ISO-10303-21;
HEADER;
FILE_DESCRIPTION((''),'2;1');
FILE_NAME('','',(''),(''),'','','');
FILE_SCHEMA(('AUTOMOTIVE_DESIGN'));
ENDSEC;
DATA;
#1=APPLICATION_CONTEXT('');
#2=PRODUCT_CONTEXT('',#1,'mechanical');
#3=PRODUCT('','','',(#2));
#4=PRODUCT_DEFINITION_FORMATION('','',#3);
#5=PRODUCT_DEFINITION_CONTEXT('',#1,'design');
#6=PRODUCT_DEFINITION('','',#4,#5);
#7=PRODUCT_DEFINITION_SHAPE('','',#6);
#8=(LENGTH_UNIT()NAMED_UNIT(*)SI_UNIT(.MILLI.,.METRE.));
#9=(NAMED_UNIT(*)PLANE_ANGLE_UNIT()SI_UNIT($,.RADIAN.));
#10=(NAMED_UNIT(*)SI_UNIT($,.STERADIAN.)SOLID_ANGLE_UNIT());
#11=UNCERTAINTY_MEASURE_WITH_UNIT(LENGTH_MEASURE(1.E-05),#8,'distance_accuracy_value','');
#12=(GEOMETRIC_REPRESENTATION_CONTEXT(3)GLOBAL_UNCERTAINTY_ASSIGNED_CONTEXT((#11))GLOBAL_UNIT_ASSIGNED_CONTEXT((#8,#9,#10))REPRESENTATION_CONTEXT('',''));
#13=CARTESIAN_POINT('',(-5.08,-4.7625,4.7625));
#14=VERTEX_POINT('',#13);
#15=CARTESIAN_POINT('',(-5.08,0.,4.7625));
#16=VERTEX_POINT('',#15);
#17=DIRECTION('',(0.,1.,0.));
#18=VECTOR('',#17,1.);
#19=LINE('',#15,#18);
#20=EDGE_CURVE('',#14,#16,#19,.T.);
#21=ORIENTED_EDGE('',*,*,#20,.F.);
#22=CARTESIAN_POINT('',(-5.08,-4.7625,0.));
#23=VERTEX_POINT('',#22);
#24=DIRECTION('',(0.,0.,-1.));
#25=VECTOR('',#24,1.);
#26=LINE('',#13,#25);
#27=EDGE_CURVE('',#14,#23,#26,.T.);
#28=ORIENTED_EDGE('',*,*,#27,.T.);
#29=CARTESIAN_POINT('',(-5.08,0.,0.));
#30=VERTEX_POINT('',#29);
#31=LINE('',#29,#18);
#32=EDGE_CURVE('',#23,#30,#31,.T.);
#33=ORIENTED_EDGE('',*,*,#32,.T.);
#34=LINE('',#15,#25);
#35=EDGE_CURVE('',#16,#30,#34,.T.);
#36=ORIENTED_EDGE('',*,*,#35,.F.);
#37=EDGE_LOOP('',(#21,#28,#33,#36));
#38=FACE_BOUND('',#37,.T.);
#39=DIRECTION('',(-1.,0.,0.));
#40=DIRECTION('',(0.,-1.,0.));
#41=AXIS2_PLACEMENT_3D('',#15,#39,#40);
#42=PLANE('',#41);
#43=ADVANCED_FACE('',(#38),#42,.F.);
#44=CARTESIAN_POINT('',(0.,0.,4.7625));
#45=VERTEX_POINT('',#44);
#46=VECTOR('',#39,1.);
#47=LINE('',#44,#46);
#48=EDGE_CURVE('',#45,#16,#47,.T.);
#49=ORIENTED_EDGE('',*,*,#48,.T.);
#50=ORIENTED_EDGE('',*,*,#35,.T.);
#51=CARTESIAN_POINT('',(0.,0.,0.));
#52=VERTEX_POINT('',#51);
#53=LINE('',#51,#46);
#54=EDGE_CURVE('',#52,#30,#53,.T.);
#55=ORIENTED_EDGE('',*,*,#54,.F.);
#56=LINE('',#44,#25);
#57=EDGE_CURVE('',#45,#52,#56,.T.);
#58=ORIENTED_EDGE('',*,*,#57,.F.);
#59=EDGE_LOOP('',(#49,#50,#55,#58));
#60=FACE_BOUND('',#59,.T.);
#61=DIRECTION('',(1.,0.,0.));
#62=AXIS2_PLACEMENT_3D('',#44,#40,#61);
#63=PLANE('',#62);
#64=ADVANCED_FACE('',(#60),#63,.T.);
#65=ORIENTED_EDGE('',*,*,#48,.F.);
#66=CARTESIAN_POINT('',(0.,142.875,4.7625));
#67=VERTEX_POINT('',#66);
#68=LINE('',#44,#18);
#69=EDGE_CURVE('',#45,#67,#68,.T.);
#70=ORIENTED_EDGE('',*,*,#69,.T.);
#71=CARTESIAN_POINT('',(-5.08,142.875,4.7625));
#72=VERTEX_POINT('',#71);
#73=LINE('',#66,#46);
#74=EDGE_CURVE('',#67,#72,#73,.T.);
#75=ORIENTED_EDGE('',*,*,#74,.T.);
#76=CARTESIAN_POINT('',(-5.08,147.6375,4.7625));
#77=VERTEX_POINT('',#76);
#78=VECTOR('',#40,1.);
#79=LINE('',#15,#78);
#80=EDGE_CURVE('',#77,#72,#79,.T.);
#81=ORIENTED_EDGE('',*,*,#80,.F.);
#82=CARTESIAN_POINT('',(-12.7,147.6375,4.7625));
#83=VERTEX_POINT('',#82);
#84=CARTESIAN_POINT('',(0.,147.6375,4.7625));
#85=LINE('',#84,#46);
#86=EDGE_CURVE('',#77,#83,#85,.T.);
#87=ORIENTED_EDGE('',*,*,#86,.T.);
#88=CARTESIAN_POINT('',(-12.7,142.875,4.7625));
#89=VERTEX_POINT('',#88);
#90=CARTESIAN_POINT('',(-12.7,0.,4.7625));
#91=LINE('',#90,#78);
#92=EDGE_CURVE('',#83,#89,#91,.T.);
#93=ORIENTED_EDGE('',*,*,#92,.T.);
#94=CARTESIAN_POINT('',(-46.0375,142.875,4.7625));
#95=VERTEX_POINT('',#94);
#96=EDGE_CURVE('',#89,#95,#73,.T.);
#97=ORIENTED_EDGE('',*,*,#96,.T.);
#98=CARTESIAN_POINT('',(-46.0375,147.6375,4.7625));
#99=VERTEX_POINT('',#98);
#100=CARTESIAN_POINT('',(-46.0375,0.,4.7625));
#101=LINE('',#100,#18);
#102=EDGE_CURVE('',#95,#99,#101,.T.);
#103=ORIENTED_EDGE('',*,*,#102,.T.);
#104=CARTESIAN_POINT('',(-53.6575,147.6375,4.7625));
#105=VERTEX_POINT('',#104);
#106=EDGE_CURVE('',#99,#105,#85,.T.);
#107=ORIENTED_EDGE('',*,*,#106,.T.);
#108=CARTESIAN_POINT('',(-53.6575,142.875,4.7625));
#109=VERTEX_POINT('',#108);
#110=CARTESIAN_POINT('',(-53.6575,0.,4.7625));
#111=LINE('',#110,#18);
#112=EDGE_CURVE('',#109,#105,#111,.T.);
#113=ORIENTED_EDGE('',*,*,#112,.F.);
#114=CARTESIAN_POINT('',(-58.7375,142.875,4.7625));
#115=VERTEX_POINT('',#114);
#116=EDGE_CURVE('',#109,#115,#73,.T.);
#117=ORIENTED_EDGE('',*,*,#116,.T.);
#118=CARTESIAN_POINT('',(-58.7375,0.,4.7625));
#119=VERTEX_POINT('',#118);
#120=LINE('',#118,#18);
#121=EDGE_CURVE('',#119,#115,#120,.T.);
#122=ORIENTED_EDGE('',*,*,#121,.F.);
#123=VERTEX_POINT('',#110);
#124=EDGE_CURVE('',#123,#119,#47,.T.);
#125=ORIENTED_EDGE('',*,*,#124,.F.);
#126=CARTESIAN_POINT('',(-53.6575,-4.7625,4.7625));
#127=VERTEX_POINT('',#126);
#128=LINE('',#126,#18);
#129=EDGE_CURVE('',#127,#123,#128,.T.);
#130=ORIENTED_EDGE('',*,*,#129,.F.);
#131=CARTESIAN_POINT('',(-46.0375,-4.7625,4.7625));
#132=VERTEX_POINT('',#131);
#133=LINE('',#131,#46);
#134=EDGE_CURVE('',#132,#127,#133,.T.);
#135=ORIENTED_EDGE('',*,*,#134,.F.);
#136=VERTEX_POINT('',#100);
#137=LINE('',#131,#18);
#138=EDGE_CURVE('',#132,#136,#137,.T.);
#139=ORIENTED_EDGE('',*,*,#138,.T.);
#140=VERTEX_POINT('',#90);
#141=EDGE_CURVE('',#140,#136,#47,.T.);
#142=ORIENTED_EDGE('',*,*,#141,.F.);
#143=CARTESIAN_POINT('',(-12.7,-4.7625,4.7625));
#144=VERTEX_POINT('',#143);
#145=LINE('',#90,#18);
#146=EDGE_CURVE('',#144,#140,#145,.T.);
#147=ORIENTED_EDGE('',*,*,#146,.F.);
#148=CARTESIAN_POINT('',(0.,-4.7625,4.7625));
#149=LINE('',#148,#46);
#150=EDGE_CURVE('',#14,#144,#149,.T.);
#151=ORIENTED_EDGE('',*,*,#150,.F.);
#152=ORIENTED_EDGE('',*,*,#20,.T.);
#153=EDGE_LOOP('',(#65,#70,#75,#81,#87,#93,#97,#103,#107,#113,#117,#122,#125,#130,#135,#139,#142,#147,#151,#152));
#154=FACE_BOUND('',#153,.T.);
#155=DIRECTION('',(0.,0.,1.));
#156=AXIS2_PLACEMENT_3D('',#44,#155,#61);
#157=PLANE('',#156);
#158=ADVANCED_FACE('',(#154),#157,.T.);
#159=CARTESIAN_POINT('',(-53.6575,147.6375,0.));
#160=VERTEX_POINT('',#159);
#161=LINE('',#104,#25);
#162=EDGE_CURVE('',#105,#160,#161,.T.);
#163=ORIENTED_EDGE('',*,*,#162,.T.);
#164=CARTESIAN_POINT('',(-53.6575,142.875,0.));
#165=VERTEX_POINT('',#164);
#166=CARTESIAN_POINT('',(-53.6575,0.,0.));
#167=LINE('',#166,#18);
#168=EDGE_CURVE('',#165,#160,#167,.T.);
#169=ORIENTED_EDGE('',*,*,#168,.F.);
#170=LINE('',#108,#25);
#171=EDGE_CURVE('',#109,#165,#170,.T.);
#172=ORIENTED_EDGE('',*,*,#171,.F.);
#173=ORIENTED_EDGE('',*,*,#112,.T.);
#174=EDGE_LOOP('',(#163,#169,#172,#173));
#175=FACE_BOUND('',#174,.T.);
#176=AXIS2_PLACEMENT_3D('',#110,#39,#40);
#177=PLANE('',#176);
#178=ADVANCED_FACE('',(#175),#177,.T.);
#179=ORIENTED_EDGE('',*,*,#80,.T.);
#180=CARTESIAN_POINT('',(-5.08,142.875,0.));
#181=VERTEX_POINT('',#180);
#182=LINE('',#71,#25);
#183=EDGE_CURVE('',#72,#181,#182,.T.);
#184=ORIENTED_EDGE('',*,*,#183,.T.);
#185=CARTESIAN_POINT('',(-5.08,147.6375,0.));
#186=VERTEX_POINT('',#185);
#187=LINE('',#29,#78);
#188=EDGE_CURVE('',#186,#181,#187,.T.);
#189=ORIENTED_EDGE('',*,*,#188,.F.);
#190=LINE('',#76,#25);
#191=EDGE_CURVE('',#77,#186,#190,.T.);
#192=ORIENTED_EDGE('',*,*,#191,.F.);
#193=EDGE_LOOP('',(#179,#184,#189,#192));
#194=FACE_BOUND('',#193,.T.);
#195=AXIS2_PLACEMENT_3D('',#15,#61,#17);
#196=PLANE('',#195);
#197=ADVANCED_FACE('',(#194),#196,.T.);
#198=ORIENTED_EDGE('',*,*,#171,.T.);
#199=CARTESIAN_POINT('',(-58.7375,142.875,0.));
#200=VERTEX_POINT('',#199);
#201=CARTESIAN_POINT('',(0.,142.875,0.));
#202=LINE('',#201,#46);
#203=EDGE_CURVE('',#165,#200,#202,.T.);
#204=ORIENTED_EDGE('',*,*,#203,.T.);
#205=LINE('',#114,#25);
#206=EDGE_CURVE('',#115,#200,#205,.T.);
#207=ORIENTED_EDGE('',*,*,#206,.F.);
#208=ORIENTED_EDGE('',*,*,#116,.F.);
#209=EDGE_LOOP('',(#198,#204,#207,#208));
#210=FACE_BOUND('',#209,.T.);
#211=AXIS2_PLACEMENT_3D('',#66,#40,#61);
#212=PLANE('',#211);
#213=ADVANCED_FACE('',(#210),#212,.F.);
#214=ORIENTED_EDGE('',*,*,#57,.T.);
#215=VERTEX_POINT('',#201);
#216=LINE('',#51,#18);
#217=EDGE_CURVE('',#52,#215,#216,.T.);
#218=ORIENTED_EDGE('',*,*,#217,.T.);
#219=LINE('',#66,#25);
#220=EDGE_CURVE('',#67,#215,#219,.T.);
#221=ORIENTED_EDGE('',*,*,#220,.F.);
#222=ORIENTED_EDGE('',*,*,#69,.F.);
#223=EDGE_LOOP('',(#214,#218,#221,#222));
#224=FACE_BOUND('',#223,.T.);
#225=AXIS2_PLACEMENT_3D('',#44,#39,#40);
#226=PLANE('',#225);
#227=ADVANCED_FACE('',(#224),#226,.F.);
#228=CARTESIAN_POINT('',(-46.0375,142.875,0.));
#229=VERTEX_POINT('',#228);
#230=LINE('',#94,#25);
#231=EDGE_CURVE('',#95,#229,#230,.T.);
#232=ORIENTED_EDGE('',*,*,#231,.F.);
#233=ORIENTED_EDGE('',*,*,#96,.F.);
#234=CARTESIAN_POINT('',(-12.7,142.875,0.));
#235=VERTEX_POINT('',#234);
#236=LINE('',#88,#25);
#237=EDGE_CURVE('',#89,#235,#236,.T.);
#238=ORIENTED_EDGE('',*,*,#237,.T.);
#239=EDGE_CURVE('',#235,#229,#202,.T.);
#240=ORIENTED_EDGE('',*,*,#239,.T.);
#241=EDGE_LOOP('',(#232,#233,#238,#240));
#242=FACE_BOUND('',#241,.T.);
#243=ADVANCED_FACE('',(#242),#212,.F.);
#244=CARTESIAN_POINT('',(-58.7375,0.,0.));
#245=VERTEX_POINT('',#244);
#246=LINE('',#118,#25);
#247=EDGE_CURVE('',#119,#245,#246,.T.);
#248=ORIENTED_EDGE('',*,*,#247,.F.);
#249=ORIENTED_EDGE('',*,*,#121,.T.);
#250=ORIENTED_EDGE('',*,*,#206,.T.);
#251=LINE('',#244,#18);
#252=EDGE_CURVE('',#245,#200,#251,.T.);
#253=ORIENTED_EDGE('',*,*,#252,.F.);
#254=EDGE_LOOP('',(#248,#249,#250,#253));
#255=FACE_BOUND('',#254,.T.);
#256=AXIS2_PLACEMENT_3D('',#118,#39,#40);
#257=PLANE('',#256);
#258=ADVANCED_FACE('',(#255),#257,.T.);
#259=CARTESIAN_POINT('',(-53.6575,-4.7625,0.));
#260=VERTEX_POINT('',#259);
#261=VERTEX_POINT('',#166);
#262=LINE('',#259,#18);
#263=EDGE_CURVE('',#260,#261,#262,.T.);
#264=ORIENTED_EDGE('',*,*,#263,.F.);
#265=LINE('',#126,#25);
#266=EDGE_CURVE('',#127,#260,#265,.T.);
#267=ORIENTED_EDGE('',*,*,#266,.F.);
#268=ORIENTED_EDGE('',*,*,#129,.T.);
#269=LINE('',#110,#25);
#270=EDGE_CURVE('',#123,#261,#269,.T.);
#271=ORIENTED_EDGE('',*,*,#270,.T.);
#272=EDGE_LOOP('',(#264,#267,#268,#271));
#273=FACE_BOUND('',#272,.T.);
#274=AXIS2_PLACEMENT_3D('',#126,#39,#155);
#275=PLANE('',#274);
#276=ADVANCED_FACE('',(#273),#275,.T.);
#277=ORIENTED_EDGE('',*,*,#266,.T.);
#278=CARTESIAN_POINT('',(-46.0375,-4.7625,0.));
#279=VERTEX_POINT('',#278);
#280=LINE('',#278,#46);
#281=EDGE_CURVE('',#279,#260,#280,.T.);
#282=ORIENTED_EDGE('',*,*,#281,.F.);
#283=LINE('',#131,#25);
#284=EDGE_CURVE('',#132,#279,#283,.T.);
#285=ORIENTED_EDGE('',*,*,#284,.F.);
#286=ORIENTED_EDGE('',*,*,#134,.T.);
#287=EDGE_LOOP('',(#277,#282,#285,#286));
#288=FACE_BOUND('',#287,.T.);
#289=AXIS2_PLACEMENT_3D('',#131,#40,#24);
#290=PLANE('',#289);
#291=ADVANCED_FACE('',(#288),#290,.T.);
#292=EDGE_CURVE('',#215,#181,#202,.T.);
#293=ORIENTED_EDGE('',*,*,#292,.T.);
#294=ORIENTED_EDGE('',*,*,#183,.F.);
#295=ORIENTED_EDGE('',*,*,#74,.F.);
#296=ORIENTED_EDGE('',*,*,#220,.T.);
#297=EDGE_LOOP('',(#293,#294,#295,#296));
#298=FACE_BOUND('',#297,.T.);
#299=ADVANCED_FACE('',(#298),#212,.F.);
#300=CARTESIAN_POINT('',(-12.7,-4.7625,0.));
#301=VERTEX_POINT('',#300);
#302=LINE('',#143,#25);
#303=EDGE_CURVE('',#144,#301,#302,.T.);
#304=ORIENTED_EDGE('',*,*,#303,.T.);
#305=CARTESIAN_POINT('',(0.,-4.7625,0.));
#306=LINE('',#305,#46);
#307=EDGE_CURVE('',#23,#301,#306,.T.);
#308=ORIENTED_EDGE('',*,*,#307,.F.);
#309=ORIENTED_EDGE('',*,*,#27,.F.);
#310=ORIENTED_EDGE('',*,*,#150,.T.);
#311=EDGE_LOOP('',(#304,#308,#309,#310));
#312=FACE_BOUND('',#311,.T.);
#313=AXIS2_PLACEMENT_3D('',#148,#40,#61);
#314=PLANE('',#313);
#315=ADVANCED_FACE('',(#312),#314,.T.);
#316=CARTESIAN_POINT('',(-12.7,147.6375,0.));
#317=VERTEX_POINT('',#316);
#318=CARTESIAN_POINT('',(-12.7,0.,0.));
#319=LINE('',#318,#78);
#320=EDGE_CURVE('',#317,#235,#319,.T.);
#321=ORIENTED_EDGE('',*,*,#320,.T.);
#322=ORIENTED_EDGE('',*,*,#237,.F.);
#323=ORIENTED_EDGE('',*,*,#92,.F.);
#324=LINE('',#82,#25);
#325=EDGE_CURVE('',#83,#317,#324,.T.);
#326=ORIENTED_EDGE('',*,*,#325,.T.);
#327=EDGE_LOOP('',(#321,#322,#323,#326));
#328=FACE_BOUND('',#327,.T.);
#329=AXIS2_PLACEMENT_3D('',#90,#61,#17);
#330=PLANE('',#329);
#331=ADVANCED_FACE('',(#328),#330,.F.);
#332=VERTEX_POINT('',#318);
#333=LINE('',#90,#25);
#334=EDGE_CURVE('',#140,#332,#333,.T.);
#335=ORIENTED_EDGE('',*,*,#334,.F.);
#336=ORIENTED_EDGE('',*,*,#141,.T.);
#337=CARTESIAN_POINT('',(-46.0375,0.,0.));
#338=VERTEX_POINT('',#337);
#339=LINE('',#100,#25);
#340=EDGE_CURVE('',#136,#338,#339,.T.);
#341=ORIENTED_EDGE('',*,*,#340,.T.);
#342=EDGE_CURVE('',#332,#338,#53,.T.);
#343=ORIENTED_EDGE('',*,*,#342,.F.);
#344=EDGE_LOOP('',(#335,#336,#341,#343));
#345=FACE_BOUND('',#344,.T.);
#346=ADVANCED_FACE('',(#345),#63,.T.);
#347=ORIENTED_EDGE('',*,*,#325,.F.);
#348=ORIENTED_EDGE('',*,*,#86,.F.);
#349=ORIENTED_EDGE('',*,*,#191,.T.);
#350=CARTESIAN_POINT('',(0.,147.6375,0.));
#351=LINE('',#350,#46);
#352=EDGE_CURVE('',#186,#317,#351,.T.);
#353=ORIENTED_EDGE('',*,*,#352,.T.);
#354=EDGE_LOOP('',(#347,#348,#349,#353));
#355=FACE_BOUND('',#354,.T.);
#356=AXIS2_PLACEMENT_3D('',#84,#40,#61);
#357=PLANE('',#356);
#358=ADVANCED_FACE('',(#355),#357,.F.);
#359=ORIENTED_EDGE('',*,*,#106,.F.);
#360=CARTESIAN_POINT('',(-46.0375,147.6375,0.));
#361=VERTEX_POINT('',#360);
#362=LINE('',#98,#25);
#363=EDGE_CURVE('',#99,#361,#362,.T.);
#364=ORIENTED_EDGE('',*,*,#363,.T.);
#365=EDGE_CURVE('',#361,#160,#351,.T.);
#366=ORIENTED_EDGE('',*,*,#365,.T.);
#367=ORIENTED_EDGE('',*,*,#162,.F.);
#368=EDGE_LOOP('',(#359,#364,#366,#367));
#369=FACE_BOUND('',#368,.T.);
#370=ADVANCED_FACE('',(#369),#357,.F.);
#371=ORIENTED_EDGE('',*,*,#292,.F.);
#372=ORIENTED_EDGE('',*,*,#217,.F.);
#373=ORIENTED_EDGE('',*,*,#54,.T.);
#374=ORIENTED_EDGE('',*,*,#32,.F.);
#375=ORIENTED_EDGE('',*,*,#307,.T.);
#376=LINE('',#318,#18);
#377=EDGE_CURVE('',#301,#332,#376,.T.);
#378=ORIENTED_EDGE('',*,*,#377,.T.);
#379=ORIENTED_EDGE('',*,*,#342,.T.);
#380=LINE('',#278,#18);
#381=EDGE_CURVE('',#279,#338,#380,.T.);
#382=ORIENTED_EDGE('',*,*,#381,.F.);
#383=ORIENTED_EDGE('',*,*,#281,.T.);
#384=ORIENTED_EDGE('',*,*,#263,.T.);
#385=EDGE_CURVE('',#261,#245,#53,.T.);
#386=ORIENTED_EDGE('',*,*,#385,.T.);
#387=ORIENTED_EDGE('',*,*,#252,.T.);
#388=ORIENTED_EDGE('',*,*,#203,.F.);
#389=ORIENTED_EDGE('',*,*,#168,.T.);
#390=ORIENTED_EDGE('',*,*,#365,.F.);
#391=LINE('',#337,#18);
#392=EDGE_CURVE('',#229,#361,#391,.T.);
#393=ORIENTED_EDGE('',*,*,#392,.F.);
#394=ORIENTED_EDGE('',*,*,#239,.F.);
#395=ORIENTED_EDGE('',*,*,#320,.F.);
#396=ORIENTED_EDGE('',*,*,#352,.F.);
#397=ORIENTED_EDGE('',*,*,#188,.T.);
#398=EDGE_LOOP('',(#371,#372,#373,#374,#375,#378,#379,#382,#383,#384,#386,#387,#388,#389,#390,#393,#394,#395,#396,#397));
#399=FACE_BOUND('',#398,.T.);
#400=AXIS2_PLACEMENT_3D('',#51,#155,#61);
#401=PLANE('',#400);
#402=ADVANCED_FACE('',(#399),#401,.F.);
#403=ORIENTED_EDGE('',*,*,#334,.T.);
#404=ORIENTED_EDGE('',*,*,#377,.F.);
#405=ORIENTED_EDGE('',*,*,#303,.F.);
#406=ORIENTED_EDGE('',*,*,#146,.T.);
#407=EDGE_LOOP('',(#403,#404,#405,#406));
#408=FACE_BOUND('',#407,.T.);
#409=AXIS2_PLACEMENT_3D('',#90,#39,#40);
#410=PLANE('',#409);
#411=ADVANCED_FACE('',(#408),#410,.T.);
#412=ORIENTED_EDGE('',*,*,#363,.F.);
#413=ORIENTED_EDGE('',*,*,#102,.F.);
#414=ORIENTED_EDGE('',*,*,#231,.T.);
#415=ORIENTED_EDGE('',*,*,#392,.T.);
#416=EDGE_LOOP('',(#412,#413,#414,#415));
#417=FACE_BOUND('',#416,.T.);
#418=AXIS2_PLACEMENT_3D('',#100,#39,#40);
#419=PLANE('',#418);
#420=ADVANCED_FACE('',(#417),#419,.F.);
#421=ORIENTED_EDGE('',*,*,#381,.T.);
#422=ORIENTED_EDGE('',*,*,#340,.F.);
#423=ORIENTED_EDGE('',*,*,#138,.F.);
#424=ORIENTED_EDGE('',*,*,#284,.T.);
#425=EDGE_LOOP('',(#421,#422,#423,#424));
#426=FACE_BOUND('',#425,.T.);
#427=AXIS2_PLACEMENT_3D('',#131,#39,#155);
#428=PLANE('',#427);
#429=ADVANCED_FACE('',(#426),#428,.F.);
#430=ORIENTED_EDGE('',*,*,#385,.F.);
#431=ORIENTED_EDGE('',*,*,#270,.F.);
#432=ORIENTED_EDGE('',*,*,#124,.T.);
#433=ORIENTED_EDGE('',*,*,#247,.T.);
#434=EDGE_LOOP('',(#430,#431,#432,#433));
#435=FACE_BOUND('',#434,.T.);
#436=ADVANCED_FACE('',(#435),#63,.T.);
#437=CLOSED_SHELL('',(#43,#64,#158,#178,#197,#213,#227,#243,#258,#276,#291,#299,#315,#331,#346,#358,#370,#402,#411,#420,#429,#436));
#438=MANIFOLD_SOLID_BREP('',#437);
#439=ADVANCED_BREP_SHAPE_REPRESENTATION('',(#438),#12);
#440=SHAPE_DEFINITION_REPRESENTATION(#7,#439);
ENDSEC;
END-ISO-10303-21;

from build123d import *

# Parameters (mm, degrees)
BOSS_EXTRUDE1_DEPTH = 4.7625


with BuildPart() as part:
    # Sketch1 → Boss-Extrude1 (new body)
    with BuildSketch(Plane.XY):
        Polygon((-12.7, -4.7625), (-5.08, -4.7625), (-5.08, 0), (0, 0), (0, 142.875), (-5.08, 142.875), (-5.08, 147.6375), (-12.7, 147.6375), (-12.7, 142.875), (-46.0375, 142.875), (-46.0375, 147.6375), (-53.6575, 147.6375), (-53.6575, 142.875), (-58.7375, 142.875), (-58.7375, 0), (-53.6575, 0), (-53.6575, -4.7625), (-46.0375, -4.7625), (-46.0375, 0), (-12.7, 0), align=None)
    extrude(amount=BOSS_EXTRUDE1_DEPTH)


solid = part.part
